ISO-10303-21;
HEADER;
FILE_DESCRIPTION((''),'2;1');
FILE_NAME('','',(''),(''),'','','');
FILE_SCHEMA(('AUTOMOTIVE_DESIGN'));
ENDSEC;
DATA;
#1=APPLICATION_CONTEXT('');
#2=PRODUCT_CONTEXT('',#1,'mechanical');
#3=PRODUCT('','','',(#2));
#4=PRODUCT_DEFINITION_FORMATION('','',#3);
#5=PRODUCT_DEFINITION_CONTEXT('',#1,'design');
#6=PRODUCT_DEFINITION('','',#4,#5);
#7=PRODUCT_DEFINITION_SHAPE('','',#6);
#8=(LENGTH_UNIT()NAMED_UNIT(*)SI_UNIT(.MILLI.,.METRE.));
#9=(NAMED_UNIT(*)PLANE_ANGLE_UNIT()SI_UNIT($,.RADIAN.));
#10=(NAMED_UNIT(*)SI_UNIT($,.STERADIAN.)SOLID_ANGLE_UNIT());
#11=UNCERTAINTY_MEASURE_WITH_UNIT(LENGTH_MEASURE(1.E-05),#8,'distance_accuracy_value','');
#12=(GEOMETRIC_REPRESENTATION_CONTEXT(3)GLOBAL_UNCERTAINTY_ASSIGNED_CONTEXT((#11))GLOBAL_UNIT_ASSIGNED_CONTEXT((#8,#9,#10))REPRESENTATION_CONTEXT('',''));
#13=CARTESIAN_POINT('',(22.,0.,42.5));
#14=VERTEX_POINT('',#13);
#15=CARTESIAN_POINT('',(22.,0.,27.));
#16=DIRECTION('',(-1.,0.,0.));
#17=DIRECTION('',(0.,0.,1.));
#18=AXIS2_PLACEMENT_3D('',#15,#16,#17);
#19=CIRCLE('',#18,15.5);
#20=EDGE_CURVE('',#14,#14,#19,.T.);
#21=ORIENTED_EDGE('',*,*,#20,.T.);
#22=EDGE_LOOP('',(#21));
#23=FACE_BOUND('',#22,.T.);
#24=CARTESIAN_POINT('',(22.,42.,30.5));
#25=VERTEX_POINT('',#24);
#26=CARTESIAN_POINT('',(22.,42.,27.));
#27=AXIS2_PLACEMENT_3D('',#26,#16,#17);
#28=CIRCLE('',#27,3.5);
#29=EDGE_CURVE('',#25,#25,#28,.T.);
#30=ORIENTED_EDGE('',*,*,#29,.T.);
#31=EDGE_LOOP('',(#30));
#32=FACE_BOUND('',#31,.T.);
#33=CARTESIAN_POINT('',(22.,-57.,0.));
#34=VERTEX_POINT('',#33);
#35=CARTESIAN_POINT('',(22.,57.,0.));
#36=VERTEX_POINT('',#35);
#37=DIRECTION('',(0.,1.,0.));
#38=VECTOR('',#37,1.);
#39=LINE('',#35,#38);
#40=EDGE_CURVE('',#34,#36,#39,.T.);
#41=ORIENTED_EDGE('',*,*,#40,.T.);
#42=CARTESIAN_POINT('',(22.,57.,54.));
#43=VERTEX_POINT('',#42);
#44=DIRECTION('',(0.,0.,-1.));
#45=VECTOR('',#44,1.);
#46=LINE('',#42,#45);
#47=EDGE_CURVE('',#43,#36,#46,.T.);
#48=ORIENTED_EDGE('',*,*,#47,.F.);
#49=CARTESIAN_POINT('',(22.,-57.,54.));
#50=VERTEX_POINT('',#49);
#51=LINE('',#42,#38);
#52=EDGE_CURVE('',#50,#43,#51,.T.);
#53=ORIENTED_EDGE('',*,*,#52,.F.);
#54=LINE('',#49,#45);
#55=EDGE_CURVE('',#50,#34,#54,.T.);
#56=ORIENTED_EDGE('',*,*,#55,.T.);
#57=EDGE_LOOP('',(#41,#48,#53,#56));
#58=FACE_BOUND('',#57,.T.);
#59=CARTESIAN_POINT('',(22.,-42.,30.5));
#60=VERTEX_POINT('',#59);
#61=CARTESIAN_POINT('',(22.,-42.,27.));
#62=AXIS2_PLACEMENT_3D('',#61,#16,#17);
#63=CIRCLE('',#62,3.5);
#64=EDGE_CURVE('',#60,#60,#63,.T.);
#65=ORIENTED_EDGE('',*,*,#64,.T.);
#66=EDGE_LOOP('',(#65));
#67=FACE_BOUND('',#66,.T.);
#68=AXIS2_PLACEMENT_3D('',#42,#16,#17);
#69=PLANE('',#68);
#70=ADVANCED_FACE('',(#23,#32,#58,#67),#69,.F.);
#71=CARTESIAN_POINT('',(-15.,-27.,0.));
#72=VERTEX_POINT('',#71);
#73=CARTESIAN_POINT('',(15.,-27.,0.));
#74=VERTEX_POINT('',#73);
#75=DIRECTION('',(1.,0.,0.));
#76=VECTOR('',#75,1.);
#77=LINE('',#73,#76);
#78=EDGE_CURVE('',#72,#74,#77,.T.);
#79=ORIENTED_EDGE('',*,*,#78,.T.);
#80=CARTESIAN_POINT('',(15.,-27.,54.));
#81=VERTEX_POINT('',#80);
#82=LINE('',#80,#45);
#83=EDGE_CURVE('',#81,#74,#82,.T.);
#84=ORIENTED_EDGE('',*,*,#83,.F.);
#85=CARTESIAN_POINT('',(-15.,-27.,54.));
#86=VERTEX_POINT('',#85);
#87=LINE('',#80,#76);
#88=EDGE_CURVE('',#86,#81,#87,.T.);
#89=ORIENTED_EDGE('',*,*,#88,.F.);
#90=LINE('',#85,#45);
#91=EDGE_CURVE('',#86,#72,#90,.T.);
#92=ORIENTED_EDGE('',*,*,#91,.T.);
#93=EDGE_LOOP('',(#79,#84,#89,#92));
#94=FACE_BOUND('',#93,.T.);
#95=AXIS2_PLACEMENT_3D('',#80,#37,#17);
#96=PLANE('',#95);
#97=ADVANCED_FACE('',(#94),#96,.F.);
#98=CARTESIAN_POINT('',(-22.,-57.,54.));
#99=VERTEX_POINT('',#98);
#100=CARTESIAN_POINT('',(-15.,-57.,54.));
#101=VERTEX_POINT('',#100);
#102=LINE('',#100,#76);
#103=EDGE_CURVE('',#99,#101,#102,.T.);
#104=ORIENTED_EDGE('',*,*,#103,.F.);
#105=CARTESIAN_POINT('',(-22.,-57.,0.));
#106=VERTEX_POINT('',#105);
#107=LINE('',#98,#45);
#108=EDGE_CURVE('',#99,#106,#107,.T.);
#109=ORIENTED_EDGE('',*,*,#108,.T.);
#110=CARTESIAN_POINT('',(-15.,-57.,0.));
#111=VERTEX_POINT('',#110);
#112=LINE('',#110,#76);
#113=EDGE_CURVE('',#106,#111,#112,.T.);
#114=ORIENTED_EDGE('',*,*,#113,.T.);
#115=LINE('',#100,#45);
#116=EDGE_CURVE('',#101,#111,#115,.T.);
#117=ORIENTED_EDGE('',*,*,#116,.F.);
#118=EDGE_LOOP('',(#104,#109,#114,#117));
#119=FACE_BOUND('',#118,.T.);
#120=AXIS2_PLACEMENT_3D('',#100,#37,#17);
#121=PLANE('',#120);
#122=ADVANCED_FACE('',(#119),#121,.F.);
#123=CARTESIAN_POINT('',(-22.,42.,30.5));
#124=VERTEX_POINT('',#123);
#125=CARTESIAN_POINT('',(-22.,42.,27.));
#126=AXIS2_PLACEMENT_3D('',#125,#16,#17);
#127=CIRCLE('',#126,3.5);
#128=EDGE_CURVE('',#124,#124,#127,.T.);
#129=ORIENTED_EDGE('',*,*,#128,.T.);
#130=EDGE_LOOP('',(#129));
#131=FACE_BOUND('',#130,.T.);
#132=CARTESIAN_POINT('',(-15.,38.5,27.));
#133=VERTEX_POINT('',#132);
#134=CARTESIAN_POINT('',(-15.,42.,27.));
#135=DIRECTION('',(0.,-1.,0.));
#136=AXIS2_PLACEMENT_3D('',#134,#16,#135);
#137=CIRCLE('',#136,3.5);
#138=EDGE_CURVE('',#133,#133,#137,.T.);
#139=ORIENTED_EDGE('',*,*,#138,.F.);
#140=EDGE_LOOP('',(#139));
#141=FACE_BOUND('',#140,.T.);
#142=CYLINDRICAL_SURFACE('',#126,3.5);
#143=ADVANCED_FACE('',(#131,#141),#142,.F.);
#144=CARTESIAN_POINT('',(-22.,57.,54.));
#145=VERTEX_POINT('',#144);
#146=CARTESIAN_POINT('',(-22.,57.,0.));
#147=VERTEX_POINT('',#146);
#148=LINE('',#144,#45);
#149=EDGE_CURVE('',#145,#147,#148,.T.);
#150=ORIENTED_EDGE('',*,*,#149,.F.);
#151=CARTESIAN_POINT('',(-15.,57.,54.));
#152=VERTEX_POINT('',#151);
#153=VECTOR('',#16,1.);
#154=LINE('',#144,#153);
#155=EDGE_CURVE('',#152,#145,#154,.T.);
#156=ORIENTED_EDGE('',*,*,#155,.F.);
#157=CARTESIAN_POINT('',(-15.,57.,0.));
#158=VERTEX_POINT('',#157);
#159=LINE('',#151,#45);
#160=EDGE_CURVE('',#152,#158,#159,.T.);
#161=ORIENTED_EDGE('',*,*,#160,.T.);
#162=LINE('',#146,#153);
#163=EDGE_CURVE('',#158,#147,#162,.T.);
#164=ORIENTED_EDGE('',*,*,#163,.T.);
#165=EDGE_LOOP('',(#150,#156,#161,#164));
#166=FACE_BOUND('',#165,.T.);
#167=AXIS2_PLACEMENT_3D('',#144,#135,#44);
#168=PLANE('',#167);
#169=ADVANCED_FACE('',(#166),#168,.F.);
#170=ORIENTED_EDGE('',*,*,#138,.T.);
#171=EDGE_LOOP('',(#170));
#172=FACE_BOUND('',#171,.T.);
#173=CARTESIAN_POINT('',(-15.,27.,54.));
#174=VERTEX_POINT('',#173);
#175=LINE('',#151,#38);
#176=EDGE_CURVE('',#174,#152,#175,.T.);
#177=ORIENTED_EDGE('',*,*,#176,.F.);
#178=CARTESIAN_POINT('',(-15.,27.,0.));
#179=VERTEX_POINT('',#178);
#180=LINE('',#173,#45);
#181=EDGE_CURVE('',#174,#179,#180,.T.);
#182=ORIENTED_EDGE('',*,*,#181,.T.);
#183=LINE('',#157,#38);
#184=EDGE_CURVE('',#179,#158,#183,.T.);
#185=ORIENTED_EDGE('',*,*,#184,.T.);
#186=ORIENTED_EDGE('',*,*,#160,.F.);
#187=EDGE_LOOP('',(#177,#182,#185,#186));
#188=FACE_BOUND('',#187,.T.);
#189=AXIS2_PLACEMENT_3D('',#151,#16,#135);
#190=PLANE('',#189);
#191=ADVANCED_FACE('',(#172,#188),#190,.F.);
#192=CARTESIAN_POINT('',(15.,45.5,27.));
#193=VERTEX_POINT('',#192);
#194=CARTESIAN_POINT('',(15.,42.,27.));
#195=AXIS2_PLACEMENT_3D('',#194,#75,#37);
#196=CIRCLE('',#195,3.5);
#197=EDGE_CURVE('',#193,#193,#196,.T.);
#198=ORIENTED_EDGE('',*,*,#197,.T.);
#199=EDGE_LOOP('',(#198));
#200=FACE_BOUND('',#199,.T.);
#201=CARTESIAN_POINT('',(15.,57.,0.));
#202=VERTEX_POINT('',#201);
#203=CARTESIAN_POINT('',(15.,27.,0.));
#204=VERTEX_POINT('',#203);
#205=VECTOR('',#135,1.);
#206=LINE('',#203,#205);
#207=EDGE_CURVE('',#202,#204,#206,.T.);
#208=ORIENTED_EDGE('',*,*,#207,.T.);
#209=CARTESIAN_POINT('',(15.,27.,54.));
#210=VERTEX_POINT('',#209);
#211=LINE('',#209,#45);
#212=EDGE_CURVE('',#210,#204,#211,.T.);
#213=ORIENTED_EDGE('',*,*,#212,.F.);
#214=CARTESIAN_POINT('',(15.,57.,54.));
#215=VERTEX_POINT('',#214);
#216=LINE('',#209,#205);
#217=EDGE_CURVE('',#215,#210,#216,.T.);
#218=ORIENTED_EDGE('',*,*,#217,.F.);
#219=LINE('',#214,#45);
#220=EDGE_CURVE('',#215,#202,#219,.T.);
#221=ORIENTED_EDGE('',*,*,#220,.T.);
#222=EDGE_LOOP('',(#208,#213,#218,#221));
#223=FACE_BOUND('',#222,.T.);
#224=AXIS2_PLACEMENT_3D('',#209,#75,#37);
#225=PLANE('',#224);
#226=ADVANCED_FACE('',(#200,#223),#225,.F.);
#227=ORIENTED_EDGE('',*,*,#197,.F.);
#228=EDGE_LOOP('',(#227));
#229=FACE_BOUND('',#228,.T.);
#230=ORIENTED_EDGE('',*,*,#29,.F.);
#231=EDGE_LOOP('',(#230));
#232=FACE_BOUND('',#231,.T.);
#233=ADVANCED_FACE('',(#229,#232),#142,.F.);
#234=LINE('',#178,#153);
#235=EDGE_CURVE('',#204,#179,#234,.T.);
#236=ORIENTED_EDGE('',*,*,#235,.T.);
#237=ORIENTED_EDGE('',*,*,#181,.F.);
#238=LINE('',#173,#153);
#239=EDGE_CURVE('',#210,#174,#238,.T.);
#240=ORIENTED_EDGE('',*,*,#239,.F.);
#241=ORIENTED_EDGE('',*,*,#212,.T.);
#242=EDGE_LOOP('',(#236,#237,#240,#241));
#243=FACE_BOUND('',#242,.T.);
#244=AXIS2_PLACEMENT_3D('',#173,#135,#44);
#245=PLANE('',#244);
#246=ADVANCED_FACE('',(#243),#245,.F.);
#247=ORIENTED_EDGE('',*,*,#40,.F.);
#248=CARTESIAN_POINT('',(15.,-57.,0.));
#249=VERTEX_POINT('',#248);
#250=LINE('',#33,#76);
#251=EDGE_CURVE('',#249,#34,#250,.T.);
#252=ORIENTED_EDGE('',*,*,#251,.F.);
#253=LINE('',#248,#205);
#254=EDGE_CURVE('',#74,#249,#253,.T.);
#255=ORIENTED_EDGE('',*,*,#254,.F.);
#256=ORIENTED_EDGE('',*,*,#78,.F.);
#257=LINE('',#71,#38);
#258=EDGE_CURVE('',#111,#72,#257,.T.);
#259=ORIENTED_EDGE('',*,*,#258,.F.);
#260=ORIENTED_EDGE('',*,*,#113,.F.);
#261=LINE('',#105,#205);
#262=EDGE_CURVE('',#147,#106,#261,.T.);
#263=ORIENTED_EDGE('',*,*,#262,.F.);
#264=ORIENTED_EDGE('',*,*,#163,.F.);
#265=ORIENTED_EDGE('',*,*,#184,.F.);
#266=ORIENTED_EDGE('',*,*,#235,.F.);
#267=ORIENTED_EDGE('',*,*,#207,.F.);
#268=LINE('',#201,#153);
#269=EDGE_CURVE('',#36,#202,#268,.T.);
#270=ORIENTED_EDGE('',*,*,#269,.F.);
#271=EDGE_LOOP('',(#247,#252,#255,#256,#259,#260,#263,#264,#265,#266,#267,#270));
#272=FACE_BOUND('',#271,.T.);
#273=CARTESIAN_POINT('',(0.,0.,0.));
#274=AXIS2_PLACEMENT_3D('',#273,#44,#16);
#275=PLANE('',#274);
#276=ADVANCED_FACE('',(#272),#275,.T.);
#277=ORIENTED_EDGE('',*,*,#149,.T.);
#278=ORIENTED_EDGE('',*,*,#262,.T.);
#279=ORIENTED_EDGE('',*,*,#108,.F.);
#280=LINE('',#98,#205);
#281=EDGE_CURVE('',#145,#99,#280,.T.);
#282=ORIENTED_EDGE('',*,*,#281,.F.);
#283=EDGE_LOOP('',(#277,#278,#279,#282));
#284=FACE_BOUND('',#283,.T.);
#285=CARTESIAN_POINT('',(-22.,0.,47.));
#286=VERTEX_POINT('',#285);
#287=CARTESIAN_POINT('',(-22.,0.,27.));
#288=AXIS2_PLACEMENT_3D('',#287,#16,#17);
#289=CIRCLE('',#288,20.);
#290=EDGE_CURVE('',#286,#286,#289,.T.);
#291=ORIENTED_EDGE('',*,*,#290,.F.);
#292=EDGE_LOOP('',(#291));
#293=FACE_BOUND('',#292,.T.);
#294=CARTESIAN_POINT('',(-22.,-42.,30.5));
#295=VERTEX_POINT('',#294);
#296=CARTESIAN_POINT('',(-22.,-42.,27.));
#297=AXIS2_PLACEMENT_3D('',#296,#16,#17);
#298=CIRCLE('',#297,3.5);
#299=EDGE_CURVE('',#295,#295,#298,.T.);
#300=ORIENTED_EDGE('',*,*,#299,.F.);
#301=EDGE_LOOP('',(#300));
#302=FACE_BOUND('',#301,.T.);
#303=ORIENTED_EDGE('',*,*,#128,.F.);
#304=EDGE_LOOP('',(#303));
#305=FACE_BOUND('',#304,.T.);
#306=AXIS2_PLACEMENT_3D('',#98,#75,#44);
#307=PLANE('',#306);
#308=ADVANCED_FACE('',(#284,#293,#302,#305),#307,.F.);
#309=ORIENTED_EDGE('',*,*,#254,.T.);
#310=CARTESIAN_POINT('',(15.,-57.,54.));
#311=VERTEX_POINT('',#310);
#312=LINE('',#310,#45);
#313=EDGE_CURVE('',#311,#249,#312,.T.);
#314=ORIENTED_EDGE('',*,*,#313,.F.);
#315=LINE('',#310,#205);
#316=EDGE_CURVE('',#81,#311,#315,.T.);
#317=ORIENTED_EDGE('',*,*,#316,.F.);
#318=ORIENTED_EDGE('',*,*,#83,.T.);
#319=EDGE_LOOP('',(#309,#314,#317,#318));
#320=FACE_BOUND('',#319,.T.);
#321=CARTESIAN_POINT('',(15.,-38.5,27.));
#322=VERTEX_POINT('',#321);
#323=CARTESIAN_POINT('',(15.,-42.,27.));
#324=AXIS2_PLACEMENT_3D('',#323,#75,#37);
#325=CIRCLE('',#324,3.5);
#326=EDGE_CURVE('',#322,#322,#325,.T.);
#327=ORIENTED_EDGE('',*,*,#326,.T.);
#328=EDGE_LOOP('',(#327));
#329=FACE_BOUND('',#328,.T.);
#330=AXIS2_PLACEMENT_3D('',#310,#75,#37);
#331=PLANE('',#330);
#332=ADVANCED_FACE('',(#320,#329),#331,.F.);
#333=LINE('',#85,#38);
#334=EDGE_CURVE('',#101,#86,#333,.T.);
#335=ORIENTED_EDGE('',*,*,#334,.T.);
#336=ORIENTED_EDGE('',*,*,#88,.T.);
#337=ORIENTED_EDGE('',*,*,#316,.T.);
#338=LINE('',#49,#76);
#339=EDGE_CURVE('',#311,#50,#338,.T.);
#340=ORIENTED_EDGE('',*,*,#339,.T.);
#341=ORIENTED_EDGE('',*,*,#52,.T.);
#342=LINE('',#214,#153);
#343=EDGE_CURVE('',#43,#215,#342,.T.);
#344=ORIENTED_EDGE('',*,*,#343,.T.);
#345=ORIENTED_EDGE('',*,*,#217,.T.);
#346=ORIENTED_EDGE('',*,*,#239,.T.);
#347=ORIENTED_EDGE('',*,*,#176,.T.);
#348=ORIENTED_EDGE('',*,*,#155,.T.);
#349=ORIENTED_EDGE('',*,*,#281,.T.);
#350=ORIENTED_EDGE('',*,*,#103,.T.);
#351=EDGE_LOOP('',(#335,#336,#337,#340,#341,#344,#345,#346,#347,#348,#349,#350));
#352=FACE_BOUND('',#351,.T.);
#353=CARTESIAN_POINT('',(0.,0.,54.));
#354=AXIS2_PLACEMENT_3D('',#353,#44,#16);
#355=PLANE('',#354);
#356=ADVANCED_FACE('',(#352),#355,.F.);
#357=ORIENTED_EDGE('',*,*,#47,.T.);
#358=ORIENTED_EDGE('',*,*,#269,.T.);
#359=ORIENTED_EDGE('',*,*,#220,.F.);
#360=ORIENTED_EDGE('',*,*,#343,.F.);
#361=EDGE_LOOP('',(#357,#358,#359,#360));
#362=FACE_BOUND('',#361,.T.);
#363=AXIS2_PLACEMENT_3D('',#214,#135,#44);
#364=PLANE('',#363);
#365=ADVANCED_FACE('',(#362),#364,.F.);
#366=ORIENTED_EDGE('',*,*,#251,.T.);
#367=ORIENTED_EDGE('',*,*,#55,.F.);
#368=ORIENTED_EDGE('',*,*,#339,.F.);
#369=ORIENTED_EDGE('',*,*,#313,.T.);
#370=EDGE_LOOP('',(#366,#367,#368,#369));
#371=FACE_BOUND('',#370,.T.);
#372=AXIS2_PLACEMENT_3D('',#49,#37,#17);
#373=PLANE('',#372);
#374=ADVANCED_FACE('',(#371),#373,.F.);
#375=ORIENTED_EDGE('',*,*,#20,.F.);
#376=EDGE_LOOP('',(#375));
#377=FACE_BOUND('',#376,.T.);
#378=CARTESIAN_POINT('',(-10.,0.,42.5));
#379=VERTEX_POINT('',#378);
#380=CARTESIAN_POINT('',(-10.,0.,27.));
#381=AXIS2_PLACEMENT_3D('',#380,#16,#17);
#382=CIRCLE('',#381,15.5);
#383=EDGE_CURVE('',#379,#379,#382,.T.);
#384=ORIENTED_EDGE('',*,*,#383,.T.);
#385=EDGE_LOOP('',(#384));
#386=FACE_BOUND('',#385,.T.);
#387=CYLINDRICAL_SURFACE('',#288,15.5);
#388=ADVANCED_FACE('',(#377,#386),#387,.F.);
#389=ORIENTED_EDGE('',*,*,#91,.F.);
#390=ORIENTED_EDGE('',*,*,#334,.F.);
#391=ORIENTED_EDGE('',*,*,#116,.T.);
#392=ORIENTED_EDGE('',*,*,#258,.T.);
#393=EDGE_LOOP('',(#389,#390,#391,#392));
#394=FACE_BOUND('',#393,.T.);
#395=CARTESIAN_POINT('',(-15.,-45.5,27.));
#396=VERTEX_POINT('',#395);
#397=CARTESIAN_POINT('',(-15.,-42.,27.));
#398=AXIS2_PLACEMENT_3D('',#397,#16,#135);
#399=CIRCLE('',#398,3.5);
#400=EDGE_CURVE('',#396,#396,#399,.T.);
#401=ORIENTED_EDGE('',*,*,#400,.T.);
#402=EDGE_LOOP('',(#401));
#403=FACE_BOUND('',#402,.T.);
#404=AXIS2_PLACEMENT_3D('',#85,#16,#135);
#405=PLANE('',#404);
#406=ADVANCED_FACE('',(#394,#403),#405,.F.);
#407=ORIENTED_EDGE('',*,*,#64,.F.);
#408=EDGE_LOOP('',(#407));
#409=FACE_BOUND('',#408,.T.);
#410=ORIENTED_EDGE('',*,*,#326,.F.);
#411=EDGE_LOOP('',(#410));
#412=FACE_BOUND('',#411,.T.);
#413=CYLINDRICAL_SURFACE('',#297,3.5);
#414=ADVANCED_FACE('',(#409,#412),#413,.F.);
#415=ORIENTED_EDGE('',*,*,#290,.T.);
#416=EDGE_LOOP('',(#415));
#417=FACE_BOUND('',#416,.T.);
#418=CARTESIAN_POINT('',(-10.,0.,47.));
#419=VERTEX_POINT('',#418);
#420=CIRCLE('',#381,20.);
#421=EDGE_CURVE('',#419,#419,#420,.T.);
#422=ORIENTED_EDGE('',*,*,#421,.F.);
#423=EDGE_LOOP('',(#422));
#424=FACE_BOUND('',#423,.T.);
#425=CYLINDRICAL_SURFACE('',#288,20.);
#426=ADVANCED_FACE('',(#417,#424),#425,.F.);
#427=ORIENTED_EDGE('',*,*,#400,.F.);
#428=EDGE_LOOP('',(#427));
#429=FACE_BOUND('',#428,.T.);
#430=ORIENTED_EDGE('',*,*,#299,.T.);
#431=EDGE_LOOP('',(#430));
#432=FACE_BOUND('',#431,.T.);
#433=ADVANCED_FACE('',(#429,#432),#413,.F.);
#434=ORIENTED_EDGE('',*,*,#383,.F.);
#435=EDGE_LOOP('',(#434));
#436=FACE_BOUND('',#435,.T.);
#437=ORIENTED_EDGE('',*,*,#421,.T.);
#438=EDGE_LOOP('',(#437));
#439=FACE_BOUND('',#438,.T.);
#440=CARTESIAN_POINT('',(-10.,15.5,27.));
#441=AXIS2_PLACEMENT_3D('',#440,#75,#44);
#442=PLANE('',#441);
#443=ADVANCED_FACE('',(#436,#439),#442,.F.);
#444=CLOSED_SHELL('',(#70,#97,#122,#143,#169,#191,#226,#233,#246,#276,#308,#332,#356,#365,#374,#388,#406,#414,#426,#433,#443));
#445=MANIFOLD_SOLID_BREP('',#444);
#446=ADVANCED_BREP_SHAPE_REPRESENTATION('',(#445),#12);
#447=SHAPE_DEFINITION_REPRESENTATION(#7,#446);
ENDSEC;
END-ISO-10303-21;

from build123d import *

# Parameters (mm, degrees)
BOSS_EXTRUDE1_DEPTH = 53.99999995
HOLE1_D             = 6.99999997
HOLE2_D             = 30.999999976
HOLE2_CBORE_D       = 40.00000001
HOLE2_CBORE_DEPTH   = 11.999999876


with BuildPart() as part:
    # Sketch1 → Boss-Extrude1 (new body)
    with BuildSketch(Plane.XY):
        Polygon((-21.999999942, 56.999999919), (-14.999999972, 56.999999919), (-14.999999972, 26.999999975), (14.999999972, 26.999999975), (14.999999972, 56.999999919), (21.999999942, 56.999999919), (21.999999942, -56.999999919), (14.999999972, -56.999999919), (14.999999972, -26.999999975), (-14.999999972, -26.999999975), (-14.999999972, -56.999999919), (-21.999999942, -56.999999919), align=None)
    extrude(amount=BOSS_EXTRUDE1_DEPTH)

    # Hole1 (through all)
    with Locations(Plane.ZY.offset(21.999999942)):
        with Locations((26.999999975, 41.999999947), (26.999999975, -41.999999947)):
            Hole(HOLE1_D / 2)

    # Hole2 (through all)
    with Locations(Plane.ZY.offset(21.999999942)):
        with Locations((26.999999975, 0)):
            CounterBoreHole(HOLE2_D / 2, HOLE2_CBORE_D / 2, HOLE2_CBORE_DEPTH)


solid = part.part
